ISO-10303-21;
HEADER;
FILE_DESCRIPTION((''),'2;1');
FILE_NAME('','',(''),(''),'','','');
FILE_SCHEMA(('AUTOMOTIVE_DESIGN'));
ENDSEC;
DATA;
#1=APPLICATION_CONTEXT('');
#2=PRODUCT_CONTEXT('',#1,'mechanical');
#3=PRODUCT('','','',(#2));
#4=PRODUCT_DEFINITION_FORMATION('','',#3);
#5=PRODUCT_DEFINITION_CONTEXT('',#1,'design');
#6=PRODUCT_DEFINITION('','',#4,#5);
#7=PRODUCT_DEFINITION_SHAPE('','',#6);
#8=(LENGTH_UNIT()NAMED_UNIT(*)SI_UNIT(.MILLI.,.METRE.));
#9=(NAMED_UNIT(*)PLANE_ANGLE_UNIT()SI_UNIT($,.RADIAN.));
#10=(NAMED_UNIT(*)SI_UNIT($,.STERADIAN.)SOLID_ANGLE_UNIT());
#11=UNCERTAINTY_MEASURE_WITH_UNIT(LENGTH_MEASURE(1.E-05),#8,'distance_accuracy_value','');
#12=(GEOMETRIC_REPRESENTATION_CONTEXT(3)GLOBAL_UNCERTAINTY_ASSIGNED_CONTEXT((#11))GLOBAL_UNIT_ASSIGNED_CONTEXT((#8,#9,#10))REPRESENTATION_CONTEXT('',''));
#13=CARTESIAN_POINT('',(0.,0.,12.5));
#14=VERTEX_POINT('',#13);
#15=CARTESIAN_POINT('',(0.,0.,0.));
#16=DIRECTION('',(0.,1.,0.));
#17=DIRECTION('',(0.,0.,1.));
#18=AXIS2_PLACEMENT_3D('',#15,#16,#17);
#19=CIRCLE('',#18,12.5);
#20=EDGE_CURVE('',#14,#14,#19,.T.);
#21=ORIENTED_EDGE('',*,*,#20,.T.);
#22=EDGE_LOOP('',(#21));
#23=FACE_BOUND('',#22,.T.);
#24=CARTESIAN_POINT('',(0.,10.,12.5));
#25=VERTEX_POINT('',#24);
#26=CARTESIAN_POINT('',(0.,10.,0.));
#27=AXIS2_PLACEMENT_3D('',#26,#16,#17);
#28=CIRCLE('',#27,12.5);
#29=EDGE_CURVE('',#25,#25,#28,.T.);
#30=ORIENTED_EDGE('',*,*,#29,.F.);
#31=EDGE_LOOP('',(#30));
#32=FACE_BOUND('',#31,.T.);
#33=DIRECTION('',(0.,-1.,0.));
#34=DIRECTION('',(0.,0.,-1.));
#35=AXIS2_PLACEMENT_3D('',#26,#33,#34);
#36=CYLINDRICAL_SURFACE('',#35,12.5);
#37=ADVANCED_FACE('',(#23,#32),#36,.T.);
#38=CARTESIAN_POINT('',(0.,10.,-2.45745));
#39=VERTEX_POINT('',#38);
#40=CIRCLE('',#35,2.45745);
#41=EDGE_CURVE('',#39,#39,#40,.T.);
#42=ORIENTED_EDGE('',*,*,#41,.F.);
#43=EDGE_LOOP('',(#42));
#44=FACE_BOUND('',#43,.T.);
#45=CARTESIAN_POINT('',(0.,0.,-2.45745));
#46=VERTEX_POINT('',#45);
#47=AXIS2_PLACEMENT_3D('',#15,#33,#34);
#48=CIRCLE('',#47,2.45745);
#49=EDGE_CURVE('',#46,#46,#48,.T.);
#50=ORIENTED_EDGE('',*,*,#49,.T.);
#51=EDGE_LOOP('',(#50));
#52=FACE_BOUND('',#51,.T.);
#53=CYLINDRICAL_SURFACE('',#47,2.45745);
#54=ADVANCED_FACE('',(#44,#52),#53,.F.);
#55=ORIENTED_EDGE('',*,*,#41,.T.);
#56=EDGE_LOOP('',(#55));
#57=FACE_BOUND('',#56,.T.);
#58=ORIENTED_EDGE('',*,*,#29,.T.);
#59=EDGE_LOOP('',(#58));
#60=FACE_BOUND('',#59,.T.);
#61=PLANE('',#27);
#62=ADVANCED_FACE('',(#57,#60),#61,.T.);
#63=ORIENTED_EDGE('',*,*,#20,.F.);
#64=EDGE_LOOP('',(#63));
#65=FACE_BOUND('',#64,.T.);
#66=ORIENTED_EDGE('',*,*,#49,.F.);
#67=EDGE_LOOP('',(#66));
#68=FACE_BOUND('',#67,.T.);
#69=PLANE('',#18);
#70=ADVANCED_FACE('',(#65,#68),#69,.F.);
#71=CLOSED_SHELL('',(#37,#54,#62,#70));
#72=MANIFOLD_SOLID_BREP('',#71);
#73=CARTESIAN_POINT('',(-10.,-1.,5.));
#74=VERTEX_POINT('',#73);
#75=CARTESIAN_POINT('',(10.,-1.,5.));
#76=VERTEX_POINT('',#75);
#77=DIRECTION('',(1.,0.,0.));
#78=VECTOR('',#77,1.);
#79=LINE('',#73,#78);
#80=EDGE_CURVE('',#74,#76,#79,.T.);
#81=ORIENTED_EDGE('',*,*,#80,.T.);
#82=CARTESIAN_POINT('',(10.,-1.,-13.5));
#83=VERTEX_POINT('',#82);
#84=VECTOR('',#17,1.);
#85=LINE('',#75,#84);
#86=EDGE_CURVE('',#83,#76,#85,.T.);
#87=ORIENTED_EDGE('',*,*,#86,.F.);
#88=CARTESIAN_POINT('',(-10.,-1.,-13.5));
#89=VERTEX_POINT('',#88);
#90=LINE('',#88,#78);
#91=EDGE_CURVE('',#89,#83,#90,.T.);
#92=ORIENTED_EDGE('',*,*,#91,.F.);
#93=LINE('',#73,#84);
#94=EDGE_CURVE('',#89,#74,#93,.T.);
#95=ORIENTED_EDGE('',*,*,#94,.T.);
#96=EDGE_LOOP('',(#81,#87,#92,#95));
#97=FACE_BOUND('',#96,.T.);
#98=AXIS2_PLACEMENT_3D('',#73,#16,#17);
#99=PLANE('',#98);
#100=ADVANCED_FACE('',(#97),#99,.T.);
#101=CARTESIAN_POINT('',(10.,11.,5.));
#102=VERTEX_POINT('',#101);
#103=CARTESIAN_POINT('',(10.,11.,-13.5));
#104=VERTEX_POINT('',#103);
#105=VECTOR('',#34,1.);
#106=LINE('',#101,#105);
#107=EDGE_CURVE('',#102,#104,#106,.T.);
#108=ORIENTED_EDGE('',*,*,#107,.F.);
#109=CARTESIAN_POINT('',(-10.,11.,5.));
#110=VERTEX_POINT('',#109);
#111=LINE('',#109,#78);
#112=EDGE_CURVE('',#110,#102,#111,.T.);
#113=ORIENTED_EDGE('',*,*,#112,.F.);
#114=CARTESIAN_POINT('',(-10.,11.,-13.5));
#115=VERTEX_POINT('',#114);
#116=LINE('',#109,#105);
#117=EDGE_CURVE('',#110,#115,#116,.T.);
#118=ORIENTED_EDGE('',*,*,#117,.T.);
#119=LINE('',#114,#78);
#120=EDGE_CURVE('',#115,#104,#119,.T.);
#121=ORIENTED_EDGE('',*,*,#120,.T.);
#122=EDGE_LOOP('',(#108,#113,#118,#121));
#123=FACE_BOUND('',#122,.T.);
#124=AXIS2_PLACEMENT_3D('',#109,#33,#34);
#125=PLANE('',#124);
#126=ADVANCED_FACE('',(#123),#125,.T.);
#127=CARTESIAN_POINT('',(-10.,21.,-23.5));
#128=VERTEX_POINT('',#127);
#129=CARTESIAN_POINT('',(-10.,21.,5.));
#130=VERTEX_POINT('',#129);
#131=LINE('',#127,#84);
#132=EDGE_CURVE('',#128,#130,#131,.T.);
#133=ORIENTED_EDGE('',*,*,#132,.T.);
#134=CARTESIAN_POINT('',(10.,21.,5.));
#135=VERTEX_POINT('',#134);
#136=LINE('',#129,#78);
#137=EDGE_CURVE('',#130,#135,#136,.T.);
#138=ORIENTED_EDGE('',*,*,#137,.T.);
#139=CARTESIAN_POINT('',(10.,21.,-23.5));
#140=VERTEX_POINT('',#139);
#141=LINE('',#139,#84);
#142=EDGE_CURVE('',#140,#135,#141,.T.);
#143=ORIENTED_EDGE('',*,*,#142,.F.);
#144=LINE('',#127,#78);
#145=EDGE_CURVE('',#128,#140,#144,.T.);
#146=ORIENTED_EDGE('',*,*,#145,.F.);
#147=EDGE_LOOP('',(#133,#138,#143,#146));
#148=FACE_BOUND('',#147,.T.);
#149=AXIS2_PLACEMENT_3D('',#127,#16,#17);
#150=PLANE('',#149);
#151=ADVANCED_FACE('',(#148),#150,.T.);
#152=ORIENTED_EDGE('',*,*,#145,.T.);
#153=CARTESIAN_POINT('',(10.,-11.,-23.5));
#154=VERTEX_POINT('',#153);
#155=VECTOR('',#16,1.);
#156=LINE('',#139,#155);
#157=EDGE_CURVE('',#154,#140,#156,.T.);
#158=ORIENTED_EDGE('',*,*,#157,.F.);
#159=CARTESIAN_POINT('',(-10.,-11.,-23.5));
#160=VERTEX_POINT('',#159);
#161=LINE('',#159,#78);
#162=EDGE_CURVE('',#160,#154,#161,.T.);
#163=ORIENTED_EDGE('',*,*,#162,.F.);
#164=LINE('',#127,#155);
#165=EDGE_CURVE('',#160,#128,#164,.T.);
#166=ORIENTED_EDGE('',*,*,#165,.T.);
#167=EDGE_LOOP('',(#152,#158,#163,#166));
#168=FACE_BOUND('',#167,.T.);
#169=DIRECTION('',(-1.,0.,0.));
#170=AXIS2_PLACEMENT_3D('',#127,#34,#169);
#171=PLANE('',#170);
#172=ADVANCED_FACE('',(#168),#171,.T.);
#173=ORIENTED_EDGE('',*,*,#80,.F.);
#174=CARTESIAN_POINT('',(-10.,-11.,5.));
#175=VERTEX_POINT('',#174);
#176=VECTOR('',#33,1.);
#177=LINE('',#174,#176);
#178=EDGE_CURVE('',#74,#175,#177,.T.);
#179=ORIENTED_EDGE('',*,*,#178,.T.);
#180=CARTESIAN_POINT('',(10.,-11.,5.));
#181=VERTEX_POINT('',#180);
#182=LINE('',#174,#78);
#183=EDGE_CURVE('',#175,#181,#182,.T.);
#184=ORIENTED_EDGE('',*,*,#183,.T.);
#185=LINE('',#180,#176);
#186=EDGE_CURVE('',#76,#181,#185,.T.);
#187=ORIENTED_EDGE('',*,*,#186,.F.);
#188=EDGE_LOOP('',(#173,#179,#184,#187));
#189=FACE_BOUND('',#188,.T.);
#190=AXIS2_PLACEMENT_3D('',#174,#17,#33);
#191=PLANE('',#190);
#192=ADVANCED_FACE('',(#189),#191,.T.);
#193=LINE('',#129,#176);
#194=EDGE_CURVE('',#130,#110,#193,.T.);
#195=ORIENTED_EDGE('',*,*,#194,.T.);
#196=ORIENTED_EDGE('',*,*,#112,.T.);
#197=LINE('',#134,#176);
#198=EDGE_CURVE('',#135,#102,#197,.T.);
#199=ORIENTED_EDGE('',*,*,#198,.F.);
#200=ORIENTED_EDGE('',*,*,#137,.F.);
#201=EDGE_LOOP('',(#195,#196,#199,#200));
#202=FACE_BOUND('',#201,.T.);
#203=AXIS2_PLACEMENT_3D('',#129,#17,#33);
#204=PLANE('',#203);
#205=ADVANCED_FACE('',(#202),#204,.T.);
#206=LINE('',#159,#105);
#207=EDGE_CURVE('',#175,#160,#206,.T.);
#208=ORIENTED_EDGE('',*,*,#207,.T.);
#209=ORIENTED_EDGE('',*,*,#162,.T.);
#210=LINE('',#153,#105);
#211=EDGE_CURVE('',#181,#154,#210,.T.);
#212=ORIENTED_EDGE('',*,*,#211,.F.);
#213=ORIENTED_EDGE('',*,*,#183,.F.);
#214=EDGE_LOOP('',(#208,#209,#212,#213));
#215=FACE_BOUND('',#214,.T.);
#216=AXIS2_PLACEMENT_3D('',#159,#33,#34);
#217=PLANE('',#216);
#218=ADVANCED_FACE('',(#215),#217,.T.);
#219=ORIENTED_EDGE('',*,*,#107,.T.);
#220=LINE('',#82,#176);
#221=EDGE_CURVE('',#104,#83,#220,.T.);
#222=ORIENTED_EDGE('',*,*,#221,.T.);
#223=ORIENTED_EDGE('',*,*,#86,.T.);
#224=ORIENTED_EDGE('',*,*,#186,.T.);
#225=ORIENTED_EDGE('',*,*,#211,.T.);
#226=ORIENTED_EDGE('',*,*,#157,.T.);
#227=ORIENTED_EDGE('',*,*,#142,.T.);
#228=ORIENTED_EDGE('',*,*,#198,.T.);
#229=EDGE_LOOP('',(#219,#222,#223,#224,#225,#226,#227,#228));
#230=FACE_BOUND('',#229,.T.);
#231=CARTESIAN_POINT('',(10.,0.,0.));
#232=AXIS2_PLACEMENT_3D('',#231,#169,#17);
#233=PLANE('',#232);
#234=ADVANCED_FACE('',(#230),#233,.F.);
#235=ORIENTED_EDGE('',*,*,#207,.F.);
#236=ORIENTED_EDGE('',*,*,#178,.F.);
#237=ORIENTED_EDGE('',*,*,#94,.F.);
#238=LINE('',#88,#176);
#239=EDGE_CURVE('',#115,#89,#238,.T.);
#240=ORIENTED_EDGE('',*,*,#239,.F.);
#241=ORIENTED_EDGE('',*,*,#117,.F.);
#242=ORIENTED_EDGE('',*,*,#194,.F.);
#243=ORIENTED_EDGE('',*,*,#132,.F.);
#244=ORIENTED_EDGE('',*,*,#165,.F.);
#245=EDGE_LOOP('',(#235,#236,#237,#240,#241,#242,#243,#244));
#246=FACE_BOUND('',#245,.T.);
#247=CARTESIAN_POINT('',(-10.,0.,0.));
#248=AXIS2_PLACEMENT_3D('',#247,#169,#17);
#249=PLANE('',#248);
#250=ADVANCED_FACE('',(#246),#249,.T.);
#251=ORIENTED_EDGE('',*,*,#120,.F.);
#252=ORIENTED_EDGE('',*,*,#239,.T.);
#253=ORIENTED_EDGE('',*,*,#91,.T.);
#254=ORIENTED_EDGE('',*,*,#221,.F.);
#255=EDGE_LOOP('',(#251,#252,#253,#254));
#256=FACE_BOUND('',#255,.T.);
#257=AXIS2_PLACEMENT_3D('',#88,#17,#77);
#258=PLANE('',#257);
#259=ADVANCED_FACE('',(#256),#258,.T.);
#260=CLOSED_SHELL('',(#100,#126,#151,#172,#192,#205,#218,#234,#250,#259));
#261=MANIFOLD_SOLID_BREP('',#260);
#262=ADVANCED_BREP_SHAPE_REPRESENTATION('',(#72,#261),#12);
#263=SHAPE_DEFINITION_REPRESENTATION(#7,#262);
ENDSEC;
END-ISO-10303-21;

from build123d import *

# Parameters (mm, degrees)
SKETCH1_R                = 12.5
BOSS_EXTRUDE1_DEPTH      = 10
F_8_CLEARANCE_HOLE1_D    = 4.9149
BOSS_EXTRUDE2_DEPTH      = 10
BOSS_EXTRUDE2_DEPTH_BACK = 10


with BuildPart() as part:
    # Sketch1 → Boss-Extrude1 (new body)
    with BuildSketch(Plane(origin=(0, 0, 0), x_dir=(1, 0, 0), z_dir=(0, 1, 0))):
        Circle(SKETCH1_R)
    extrude(amount=BOSS_EXTRUDE1_DEPTH)

    # #8 Clearance Hole1 (through all)
    with Locations(Plane(origin=(0, 0, 0), x_dir=(-1, 0, 0), z_dir=(0, -1, 0))):
        with Locations((0, 0)):
            Hole(F_8_CLEARANCE_HOLE1_D / 2)


with BuildPart() as body_2:
    # Sketch4 → Boss-Extrude2 (new, two sides: drawn at the far end of the back side and taken through both)
    with BuildSketch(Plane(origin=(0, 0, 0), x_dir=(0, 0, -1), z_dir=(1, 0, 0)).offset(-BOSS_EXTRUDE2_DEPTH_BACK)):
        Polygon((-5, -1), (13.5, -1), (13.5, 11), (-5, 11), (-5, 21), (23.5, 21), (23.5, -11), (-5, -11), align=None)
    extrude(amount=BOSS_EXTRUDE2_DEPTH + BOSS_EXTRUDE2_DEPTH_BACK)


solid = Compound([part.part, body_2.part])
